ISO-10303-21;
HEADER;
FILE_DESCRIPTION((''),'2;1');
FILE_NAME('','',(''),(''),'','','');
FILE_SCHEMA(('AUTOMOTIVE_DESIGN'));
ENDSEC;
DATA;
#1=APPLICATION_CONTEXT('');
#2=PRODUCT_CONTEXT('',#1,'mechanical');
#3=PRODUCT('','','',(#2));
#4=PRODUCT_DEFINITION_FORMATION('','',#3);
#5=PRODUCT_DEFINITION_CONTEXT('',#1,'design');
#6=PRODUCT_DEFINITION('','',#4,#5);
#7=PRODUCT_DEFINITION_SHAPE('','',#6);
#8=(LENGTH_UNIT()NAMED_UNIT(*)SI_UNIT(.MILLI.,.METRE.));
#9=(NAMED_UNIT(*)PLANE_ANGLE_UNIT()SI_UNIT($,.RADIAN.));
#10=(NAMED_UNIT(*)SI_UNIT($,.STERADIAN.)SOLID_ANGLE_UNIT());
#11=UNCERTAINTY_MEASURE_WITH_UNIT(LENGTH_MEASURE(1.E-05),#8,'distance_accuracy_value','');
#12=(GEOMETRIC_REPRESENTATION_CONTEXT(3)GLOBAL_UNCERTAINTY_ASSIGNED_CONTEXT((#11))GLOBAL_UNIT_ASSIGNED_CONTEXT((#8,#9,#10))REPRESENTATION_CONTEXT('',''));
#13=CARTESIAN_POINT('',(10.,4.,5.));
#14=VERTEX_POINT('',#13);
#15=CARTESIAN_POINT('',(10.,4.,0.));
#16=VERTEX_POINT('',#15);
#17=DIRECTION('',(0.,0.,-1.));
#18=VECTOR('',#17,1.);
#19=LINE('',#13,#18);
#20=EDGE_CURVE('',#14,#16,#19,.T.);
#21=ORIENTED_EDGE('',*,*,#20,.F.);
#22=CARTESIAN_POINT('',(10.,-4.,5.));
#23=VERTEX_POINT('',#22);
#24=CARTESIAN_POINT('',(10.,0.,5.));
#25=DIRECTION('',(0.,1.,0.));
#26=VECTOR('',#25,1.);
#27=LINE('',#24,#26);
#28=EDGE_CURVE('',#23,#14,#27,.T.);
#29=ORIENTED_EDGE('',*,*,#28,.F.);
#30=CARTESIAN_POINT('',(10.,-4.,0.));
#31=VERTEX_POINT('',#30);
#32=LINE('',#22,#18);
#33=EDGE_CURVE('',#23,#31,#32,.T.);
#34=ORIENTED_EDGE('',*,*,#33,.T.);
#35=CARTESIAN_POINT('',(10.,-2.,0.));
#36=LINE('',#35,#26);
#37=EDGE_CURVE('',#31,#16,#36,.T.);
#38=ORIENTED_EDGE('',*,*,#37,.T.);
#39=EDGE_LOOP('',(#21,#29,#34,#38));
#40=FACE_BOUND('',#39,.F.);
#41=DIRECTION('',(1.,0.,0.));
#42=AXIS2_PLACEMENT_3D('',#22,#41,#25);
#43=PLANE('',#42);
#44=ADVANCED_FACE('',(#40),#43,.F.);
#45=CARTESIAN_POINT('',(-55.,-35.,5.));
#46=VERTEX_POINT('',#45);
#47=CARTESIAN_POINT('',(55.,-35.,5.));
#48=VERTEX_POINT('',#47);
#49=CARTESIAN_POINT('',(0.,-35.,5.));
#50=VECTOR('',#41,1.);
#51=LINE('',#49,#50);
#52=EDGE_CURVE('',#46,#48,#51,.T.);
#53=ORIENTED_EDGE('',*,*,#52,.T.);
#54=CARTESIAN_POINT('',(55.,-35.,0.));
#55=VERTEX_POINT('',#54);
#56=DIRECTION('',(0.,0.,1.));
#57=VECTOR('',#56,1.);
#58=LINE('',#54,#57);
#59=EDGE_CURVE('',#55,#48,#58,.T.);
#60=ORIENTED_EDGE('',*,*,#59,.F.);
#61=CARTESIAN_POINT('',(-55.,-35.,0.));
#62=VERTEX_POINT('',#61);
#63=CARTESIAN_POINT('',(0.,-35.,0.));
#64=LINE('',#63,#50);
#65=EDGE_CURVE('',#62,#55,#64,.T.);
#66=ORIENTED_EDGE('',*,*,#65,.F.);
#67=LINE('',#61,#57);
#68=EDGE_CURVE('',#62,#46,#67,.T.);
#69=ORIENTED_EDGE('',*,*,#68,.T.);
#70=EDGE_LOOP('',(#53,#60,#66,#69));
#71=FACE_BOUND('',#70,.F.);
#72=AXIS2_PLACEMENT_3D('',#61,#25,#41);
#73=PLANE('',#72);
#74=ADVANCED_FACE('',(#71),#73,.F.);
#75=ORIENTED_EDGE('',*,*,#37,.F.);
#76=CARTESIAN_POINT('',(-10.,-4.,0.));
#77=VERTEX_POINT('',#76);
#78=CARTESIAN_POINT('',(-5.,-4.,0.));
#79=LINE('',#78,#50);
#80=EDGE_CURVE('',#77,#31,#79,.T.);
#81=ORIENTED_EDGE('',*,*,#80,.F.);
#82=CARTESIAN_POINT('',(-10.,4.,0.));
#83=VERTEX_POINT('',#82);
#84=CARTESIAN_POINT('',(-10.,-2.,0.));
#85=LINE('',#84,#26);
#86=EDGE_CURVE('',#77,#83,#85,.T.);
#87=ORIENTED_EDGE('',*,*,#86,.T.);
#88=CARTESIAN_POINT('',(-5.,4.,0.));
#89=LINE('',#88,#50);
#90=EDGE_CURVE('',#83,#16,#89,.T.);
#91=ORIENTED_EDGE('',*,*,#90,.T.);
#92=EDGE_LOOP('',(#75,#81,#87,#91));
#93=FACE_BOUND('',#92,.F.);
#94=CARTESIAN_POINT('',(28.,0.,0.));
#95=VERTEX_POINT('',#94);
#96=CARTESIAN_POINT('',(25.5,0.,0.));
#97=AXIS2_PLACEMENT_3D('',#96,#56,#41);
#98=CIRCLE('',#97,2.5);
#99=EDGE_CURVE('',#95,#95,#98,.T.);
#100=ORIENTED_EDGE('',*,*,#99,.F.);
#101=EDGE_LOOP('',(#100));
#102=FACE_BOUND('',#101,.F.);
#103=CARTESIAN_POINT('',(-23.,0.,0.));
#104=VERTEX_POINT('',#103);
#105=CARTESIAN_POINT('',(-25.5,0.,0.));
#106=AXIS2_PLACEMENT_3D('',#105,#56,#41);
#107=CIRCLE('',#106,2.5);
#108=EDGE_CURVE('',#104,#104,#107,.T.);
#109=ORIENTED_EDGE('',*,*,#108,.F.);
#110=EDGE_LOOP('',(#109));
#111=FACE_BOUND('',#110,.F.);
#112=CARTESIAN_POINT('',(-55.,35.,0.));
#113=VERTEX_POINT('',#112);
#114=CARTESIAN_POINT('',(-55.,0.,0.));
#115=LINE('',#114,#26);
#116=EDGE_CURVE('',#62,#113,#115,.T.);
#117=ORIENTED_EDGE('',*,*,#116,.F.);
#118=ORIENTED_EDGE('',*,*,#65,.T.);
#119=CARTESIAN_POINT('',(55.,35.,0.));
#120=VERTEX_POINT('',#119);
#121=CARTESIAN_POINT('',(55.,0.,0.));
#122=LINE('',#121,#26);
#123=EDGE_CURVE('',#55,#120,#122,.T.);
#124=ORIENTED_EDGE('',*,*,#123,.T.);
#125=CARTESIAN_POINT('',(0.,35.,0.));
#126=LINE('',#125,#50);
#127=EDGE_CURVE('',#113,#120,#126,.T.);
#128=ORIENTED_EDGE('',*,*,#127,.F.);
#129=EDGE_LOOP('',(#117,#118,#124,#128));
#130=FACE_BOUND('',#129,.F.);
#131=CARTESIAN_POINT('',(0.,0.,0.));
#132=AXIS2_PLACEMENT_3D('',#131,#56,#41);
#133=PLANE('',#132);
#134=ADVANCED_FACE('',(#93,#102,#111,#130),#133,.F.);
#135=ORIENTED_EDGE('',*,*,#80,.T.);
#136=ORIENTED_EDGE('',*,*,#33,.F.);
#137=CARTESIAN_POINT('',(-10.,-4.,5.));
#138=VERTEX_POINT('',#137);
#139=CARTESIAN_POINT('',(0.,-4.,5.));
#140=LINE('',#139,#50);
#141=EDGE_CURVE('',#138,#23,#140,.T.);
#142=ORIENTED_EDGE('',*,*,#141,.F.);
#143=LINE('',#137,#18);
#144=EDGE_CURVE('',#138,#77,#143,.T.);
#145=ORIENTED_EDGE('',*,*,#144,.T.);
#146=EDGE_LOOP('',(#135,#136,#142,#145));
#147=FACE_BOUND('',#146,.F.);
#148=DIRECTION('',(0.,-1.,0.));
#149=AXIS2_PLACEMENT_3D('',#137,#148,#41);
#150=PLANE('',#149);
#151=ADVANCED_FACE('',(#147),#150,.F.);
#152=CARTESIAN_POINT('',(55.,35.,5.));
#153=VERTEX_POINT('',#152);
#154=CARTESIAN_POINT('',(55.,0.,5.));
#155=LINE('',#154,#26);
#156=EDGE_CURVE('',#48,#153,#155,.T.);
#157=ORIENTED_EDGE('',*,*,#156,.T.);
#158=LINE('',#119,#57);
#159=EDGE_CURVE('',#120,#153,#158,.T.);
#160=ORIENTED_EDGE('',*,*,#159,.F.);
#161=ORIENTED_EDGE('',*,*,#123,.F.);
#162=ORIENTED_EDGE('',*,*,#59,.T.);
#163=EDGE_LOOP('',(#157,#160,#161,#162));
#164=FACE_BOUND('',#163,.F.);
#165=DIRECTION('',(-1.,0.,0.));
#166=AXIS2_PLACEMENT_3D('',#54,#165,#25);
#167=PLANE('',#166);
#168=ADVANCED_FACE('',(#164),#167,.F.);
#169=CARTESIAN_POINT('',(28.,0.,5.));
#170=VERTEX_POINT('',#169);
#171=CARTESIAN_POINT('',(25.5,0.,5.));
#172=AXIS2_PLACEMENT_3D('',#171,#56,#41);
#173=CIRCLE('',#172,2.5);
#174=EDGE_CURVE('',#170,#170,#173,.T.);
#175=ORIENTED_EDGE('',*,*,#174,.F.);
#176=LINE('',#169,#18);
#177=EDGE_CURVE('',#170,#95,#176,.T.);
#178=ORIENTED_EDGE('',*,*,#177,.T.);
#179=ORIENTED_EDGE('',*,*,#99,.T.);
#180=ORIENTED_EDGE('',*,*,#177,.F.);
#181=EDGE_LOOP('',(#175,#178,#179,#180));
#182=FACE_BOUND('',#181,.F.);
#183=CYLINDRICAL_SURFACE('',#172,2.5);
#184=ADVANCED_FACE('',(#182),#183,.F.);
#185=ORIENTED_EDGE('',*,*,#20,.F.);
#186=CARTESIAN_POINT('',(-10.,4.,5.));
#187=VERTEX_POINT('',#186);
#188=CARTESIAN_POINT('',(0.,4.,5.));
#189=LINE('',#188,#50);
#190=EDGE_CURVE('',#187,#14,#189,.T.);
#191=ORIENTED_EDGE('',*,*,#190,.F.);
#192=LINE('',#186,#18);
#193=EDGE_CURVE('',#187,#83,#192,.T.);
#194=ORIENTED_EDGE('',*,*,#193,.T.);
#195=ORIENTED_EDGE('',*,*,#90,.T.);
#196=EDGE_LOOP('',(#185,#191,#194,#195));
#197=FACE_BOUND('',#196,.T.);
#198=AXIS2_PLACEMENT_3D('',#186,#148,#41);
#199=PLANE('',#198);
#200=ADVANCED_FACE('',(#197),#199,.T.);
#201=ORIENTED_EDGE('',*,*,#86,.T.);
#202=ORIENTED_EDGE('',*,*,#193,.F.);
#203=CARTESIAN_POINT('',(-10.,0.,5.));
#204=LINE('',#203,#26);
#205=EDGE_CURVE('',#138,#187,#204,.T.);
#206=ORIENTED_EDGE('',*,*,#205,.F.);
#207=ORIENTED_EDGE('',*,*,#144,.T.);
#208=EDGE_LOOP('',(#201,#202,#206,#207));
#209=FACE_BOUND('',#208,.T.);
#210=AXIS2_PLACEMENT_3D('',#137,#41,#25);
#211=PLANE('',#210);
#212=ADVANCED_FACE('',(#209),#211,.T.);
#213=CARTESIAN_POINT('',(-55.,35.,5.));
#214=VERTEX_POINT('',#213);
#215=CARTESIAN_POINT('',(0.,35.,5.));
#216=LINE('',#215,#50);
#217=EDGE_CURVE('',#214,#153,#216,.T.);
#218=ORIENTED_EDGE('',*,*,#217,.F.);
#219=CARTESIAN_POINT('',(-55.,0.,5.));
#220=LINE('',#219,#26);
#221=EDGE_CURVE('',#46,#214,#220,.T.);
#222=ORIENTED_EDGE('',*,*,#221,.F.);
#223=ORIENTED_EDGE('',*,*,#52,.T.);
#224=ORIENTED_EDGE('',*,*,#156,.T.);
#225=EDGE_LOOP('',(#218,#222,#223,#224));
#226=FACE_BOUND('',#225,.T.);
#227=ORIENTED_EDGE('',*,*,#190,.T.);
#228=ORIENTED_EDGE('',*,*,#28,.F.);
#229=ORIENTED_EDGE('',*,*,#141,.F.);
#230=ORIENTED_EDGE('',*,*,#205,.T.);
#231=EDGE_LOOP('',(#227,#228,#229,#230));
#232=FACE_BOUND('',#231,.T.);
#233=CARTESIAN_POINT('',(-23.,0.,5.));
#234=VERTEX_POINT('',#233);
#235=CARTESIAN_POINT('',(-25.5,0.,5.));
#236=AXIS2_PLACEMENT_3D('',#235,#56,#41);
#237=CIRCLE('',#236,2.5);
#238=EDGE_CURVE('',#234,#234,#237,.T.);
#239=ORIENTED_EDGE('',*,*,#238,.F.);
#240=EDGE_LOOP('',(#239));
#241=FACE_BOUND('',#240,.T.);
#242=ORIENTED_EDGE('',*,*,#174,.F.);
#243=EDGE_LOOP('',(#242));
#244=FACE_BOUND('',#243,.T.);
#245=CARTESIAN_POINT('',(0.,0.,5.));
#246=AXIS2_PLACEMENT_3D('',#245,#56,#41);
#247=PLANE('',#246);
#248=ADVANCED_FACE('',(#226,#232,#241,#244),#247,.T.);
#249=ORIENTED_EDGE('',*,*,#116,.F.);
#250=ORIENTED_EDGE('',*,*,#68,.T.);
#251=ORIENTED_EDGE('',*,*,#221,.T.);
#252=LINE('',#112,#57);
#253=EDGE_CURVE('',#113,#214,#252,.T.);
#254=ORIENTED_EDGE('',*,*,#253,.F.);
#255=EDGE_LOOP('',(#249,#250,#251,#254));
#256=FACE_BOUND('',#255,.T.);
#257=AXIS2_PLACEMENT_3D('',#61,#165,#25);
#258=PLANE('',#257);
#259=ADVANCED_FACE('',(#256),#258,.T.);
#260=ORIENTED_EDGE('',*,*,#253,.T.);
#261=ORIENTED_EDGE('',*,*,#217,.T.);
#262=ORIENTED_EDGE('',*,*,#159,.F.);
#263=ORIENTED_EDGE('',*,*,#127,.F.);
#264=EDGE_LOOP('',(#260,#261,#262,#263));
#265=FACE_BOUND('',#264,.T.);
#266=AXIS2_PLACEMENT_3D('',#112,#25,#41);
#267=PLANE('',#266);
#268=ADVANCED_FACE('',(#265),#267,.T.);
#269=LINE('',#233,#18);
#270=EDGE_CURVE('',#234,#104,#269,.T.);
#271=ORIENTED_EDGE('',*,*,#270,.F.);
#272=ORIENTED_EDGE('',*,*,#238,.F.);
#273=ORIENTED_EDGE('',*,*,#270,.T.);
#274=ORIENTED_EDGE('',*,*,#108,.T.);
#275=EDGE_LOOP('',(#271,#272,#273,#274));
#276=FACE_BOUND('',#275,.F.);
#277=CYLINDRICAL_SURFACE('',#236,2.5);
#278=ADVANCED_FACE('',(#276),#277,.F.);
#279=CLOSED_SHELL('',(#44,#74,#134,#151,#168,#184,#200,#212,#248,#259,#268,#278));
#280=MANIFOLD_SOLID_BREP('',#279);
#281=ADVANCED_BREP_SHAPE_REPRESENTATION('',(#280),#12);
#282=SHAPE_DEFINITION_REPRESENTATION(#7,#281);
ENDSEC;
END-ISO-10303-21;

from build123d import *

# Parameters (mm, degrees)
F0_W     = 110
F0_H     = 70
F1_DEPTH = 5
F2_W     = 20
F2_H     = 8
F3_DEPTH = 5.001
F4_R     = 2.5
F5_DEPTH = 5.001
F6_R     = 2.5
F7_DEPTH = 5.001


with BuildPart() as f1:
    # F0 (on Top) → F1 (new body)
    with BuildSketch(Plane.XY):
        Rectangle(F0_W, F0_H)
    extrude(amount=F1_DEPTH)

    # F2 (on face) → F3 (cut, through all)
    with BuildSketch(Plane.XY.offset(5)):
        Rectangle(F2_W, F2_H)
    extrude(amount=-F3_DEPTH, mode=Mode.SUBTRACT)

    # F4 (on face) → F5 (cut, through all)
    with BuildSketch(Plane.XY.offset(5)):
        with Locations((-25.5, 0)):
            Circle(F4_R)
    extrude(amount=-F5_DEPTH, mode=Mode.SUBTRACT)

    # F6 (on face) → F7 (cut, through all)
    with BuildSketch(Plane.XY.offset(5)):
        with Locations((25.5, 0)):
            Circle(F6_R)
    extrude(amount=-F7_DEPTH, mode=Mode.SUBTRACT)


solid = f1.part
